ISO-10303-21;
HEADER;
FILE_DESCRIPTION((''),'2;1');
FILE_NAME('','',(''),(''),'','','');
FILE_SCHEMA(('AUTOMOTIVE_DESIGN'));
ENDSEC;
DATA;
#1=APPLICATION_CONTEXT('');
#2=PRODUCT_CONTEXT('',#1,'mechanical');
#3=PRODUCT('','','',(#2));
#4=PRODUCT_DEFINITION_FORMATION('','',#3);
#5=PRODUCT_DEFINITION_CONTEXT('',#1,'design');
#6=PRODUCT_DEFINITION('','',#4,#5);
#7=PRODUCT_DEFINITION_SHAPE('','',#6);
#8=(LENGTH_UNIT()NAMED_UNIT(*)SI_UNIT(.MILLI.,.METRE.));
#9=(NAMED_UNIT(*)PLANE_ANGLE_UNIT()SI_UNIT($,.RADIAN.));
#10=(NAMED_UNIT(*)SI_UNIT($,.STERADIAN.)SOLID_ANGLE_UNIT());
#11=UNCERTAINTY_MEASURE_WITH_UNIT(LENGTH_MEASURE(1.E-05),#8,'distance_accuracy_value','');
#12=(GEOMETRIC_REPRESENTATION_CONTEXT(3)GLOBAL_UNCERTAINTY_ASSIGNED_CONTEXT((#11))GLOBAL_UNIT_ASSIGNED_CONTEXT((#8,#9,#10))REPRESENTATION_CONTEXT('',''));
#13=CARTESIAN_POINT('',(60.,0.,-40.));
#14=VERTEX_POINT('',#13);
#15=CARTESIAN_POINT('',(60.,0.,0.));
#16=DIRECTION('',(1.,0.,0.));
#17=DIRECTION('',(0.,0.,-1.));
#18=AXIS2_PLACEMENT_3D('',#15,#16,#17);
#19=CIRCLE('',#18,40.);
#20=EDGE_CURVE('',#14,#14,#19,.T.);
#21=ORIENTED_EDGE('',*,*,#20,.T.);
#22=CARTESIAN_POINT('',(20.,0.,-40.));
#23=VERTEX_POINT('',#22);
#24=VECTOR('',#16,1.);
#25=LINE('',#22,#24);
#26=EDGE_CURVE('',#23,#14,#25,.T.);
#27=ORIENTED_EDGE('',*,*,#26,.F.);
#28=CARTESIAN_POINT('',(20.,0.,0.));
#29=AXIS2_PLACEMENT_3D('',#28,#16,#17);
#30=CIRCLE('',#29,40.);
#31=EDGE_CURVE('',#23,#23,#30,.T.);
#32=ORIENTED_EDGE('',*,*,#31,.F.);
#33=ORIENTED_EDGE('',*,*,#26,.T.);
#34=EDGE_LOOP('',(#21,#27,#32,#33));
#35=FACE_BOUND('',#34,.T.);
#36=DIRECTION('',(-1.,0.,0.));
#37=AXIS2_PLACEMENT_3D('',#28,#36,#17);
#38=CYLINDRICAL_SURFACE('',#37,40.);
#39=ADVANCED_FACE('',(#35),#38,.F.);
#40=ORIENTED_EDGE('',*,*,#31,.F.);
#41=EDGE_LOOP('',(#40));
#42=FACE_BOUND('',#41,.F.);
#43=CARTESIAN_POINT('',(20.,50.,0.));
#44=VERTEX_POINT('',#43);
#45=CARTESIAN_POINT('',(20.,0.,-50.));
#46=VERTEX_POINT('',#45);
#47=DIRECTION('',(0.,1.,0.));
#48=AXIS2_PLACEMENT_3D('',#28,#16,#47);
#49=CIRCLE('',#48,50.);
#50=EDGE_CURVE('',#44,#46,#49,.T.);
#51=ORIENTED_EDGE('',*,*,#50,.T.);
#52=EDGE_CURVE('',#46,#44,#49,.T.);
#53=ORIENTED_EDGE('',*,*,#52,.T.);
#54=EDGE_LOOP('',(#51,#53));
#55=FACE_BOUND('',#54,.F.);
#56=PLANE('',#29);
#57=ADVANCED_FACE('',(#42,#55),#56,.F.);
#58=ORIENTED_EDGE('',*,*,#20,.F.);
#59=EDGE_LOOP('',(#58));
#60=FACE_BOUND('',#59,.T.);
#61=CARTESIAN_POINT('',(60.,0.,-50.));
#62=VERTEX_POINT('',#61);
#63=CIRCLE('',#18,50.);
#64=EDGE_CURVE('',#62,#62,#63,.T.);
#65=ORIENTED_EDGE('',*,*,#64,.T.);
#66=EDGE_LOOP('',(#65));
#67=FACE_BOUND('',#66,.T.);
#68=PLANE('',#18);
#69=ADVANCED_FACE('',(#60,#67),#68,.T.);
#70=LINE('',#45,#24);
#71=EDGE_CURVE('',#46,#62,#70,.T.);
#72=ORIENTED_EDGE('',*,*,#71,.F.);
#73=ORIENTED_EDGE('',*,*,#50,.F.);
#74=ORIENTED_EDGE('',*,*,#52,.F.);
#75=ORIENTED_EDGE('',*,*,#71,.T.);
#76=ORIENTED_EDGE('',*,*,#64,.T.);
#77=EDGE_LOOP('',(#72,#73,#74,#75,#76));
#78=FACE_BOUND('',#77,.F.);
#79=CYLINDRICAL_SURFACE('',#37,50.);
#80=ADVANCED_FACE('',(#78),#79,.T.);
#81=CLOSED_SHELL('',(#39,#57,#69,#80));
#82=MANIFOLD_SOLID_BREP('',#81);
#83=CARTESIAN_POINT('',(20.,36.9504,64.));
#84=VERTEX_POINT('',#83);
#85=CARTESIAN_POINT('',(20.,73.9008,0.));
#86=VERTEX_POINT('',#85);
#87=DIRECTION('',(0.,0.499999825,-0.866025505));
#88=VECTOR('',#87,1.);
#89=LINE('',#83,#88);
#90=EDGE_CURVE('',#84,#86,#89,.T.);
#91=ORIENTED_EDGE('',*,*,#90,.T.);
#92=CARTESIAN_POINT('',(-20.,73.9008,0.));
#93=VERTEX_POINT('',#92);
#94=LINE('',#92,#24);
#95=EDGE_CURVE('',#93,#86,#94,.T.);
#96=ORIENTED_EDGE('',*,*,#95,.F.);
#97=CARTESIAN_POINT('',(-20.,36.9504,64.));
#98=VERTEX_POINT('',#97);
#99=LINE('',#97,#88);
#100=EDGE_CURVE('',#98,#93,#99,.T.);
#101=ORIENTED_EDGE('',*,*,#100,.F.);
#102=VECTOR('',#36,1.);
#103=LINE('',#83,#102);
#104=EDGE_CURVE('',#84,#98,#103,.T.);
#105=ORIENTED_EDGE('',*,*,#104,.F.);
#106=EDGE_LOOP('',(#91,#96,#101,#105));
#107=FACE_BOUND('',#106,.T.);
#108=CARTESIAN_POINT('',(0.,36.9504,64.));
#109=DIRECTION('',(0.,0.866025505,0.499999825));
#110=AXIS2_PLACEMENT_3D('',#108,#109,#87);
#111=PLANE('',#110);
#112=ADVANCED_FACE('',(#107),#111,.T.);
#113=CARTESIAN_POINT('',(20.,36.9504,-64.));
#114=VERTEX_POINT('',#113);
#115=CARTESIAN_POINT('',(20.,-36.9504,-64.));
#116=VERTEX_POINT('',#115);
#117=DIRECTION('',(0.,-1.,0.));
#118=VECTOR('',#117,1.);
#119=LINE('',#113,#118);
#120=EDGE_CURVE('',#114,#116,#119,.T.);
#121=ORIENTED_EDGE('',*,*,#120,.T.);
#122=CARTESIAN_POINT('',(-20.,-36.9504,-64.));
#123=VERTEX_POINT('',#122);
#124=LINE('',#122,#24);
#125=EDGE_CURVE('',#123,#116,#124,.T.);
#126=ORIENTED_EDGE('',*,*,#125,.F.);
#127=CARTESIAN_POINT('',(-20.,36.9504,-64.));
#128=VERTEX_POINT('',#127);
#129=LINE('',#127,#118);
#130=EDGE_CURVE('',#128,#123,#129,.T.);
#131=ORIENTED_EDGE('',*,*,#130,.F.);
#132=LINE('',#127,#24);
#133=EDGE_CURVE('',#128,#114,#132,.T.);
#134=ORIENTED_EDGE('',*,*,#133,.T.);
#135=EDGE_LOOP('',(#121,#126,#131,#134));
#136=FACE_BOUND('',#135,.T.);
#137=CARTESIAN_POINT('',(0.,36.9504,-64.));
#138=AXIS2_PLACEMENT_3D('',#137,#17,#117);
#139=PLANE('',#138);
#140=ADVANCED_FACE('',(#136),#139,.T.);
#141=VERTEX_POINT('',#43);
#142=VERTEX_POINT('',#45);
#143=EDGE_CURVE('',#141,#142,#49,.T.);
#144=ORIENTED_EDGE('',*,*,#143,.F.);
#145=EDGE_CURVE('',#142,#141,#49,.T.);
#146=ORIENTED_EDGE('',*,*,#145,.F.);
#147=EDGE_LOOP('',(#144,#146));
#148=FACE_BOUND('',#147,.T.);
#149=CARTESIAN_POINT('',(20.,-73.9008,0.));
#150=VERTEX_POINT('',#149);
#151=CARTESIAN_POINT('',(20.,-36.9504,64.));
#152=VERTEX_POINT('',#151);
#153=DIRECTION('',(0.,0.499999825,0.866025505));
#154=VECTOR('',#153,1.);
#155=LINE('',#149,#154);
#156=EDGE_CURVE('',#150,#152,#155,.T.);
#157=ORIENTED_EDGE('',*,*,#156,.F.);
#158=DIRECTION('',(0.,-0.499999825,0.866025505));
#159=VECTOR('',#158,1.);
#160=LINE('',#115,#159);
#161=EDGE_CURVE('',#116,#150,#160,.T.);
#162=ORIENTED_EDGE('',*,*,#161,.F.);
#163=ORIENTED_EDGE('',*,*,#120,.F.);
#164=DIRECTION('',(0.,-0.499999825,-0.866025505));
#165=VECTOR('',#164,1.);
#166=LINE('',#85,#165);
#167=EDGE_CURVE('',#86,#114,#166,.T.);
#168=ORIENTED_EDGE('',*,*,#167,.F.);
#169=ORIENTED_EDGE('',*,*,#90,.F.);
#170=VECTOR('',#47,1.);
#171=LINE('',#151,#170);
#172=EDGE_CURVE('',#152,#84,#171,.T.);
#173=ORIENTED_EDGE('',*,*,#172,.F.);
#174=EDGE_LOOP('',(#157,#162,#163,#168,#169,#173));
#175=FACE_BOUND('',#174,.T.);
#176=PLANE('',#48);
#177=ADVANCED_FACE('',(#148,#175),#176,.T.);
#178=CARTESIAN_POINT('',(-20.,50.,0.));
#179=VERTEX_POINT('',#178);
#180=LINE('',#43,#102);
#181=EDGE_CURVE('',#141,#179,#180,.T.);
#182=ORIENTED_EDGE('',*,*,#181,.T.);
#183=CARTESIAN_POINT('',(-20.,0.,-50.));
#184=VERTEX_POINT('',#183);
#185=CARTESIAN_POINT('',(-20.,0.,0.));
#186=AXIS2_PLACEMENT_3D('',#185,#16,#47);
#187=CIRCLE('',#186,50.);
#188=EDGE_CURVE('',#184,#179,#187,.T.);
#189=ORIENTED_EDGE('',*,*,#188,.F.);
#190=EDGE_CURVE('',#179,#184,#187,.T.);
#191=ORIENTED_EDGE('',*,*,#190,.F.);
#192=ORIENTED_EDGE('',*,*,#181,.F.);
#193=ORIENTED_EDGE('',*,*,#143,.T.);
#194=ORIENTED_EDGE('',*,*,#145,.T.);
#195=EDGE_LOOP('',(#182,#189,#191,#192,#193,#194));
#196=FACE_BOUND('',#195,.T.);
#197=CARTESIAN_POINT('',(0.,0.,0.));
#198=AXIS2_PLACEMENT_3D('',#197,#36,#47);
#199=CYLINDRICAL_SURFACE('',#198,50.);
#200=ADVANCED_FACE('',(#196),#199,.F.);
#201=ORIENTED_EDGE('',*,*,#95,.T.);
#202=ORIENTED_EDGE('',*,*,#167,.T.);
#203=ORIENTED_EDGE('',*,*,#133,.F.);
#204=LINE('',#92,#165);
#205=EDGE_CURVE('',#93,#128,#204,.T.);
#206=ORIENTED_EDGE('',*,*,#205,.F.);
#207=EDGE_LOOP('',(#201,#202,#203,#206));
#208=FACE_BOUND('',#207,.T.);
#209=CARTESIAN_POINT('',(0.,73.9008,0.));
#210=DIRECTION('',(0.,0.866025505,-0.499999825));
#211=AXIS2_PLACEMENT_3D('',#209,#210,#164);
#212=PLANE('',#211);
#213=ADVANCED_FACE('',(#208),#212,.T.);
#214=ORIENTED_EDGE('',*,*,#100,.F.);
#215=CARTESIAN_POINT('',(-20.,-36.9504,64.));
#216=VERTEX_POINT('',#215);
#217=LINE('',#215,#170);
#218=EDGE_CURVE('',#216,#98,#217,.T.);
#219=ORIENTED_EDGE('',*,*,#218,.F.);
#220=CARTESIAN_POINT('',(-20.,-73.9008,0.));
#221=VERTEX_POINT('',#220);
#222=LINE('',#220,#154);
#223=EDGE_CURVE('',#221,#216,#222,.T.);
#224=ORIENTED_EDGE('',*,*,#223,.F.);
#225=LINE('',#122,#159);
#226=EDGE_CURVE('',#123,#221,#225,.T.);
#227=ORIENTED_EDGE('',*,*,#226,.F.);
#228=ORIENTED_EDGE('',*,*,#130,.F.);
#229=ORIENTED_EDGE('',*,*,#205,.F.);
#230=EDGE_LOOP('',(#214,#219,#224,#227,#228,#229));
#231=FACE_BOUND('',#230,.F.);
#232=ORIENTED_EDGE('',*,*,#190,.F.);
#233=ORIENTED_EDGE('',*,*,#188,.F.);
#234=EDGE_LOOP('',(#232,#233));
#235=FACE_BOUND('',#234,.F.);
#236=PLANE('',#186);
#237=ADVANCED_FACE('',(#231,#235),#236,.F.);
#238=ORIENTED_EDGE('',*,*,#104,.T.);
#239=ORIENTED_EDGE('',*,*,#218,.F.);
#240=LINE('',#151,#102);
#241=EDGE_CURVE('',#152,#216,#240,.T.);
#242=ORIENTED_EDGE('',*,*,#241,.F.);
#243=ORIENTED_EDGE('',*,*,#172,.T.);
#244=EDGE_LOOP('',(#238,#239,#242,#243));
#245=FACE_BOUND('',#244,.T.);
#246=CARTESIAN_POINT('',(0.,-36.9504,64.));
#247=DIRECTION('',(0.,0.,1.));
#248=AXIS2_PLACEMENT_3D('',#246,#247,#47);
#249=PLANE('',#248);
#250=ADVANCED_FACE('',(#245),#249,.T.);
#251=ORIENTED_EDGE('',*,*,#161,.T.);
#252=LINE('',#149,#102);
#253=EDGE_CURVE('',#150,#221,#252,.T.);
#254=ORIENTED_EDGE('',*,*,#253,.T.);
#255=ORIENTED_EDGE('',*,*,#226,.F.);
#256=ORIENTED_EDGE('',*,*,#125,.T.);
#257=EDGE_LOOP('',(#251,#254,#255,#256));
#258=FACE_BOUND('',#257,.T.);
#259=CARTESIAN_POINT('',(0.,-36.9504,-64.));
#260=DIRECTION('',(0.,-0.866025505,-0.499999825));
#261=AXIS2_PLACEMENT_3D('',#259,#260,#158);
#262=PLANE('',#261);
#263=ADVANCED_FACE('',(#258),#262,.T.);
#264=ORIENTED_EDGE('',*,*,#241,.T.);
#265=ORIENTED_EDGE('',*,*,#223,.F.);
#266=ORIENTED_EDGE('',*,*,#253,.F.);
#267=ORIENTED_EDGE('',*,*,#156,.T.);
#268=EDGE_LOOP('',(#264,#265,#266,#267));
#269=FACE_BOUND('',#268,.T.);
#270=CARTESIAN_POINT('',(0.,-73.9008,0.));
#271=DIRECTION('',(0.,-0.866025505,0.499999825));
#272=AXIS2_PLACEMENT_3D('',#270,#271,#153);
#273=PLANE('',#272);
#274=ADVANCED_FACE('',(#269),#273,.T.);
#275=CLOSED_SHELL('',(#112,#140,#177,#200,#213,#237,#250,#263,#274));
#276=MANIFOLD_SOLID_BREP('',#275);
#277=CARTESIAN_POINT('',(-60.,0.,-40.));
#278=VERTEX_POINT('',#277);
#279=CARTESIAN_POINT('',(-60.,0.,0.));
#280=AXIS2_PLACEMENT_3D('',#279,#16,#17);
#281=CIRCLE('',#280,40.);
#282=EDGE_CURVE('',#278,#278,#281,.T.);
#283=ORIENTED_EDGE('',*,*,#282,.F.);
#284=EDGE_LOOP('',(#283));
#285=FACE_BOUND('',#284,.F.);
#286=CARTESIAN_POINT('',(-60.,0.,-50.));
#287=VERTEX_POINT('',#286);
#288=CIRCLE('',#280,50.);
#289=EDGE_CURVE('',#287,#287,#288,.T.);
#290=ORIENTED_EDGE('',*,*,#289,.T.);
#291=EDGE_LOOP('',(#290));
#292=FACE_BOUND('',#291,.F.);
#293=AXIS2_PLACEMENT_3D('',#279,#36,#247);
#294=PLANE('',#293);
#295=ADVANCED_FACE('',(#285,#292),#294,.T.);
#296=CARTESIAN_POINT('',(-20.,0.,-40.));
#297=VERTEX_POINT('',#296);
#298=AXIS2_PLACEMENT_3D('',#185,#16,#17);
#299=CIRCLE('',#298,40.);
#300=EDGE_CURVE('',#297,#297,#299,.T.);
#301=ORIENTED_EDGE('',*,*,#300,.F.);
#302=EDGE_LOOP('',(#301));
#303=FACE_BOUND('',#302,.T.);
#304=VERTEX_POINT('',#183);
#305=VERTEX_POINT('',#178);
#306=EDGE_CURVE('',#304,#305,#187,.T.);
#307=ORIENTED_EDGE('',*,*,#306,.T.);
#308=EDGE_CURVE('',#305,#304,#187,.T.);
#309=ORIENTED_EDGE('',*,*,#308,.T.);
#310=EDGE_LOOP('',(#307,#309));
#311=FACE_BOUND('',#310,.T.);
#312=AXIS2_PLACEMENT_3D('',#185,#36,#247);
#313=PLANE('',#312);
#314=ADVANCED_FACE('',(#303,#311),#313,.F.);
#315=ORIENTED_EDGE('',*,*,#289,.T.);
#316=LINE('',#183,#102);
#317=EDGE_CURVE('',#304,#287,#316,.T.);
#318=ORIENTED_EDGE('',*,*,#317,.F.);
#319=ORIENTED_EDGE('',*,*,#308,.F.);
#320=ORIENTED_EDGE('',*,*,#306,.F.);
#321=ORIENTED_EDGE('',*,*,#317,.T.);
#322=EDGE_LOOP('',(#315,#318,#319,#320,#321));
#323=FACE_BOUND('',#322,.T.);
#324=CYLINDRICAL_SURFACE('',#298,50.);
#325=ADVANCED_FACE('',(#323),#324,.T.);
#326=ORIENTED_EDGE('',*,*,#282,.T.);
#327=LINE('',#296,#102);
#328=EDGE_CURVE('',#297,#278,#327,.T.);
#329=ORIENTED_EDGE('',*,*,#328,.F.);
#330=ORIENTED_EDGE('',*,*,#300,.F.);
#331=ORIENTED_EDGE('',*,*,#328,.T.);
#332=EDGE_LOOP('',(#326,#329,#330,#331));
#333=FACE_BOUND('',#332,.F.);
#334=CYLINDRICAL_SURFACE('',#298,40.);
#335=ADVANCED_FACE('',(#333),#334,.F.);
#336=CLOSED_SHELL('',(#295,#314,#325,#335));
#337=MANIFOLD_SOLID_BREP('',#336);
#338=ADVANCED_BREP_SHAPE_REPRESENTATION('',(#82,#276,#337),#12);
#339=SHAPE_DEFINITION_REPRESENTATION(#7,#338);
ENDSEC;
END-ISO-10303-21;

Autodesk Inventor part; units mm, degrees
ref_plane "YZ Plane" through (0, 0, 0) normal (1, 0, 0) x (0, 1, 0)
ref_plane "XZ Plane" through (0, 0, 0) normal (0, 1, 0) x (-1, 0, 0)
ref_plane "XY Plane" through (0, 0, 0) normal (0, 0, 1) x (1, 0, 0)
sketch "Sketch1" plane through (0, 0, 0) normal (1, 0, 0) x (0, 1, 0)
  circle A0 centre (0, 0) radius 50
  line L0 (-36.9504, -64) -> (-73.9008, 0)
  line L1 (-73.9008, 0) -> (-36.9504, 64)
  line L2 (-36.9504, 64) -> (36.9504, 64)
  line L3 (36.9504, 64) -> (73.9008, 0)
  line L4 (73.9008, 0) -> (36.9504, -64)
  line L5 (36.9504, -64) -> (-36.9504, -64)
  dimension "d0" = 100
  dimension "d1" = 64
extrude "Extrusion1" add sketch "Sketch1" along normal mid plane 40
sketch "Sketch3" plane through (0, 0, 0) normal (1, 0, 0) x (0, 1, 0)
  circle A0 centre (0, 0) radius 50 projected
thread "Thread1" size "M100x6" class "6H" standard "ANSI Metric M Profile" full length
sketch "Sketch4" plane through (20, 0, 0) normal (1, 0, 0) x (0, 0, -1)
  circle A0 centre (0, 0) radius 50 projected
  circle A1 centre (0, 0) radius 40
  dimension "d12" = 10
extrude "Extrusion4" add sketch "Sketch4" along normal blind 40
thread "Thread2" size "M100x6" class "6g" standard "ANSI Metric M Profile" full length
mirror "Mirror1" about plane through (0, 0, 0) normal (1, 0, 0) of "Extrusion4"
thread "Thread3" size "M100x6" class "6g" standard "ANSI Metric M Profile" full length
properties part number "niple 4 inch"
